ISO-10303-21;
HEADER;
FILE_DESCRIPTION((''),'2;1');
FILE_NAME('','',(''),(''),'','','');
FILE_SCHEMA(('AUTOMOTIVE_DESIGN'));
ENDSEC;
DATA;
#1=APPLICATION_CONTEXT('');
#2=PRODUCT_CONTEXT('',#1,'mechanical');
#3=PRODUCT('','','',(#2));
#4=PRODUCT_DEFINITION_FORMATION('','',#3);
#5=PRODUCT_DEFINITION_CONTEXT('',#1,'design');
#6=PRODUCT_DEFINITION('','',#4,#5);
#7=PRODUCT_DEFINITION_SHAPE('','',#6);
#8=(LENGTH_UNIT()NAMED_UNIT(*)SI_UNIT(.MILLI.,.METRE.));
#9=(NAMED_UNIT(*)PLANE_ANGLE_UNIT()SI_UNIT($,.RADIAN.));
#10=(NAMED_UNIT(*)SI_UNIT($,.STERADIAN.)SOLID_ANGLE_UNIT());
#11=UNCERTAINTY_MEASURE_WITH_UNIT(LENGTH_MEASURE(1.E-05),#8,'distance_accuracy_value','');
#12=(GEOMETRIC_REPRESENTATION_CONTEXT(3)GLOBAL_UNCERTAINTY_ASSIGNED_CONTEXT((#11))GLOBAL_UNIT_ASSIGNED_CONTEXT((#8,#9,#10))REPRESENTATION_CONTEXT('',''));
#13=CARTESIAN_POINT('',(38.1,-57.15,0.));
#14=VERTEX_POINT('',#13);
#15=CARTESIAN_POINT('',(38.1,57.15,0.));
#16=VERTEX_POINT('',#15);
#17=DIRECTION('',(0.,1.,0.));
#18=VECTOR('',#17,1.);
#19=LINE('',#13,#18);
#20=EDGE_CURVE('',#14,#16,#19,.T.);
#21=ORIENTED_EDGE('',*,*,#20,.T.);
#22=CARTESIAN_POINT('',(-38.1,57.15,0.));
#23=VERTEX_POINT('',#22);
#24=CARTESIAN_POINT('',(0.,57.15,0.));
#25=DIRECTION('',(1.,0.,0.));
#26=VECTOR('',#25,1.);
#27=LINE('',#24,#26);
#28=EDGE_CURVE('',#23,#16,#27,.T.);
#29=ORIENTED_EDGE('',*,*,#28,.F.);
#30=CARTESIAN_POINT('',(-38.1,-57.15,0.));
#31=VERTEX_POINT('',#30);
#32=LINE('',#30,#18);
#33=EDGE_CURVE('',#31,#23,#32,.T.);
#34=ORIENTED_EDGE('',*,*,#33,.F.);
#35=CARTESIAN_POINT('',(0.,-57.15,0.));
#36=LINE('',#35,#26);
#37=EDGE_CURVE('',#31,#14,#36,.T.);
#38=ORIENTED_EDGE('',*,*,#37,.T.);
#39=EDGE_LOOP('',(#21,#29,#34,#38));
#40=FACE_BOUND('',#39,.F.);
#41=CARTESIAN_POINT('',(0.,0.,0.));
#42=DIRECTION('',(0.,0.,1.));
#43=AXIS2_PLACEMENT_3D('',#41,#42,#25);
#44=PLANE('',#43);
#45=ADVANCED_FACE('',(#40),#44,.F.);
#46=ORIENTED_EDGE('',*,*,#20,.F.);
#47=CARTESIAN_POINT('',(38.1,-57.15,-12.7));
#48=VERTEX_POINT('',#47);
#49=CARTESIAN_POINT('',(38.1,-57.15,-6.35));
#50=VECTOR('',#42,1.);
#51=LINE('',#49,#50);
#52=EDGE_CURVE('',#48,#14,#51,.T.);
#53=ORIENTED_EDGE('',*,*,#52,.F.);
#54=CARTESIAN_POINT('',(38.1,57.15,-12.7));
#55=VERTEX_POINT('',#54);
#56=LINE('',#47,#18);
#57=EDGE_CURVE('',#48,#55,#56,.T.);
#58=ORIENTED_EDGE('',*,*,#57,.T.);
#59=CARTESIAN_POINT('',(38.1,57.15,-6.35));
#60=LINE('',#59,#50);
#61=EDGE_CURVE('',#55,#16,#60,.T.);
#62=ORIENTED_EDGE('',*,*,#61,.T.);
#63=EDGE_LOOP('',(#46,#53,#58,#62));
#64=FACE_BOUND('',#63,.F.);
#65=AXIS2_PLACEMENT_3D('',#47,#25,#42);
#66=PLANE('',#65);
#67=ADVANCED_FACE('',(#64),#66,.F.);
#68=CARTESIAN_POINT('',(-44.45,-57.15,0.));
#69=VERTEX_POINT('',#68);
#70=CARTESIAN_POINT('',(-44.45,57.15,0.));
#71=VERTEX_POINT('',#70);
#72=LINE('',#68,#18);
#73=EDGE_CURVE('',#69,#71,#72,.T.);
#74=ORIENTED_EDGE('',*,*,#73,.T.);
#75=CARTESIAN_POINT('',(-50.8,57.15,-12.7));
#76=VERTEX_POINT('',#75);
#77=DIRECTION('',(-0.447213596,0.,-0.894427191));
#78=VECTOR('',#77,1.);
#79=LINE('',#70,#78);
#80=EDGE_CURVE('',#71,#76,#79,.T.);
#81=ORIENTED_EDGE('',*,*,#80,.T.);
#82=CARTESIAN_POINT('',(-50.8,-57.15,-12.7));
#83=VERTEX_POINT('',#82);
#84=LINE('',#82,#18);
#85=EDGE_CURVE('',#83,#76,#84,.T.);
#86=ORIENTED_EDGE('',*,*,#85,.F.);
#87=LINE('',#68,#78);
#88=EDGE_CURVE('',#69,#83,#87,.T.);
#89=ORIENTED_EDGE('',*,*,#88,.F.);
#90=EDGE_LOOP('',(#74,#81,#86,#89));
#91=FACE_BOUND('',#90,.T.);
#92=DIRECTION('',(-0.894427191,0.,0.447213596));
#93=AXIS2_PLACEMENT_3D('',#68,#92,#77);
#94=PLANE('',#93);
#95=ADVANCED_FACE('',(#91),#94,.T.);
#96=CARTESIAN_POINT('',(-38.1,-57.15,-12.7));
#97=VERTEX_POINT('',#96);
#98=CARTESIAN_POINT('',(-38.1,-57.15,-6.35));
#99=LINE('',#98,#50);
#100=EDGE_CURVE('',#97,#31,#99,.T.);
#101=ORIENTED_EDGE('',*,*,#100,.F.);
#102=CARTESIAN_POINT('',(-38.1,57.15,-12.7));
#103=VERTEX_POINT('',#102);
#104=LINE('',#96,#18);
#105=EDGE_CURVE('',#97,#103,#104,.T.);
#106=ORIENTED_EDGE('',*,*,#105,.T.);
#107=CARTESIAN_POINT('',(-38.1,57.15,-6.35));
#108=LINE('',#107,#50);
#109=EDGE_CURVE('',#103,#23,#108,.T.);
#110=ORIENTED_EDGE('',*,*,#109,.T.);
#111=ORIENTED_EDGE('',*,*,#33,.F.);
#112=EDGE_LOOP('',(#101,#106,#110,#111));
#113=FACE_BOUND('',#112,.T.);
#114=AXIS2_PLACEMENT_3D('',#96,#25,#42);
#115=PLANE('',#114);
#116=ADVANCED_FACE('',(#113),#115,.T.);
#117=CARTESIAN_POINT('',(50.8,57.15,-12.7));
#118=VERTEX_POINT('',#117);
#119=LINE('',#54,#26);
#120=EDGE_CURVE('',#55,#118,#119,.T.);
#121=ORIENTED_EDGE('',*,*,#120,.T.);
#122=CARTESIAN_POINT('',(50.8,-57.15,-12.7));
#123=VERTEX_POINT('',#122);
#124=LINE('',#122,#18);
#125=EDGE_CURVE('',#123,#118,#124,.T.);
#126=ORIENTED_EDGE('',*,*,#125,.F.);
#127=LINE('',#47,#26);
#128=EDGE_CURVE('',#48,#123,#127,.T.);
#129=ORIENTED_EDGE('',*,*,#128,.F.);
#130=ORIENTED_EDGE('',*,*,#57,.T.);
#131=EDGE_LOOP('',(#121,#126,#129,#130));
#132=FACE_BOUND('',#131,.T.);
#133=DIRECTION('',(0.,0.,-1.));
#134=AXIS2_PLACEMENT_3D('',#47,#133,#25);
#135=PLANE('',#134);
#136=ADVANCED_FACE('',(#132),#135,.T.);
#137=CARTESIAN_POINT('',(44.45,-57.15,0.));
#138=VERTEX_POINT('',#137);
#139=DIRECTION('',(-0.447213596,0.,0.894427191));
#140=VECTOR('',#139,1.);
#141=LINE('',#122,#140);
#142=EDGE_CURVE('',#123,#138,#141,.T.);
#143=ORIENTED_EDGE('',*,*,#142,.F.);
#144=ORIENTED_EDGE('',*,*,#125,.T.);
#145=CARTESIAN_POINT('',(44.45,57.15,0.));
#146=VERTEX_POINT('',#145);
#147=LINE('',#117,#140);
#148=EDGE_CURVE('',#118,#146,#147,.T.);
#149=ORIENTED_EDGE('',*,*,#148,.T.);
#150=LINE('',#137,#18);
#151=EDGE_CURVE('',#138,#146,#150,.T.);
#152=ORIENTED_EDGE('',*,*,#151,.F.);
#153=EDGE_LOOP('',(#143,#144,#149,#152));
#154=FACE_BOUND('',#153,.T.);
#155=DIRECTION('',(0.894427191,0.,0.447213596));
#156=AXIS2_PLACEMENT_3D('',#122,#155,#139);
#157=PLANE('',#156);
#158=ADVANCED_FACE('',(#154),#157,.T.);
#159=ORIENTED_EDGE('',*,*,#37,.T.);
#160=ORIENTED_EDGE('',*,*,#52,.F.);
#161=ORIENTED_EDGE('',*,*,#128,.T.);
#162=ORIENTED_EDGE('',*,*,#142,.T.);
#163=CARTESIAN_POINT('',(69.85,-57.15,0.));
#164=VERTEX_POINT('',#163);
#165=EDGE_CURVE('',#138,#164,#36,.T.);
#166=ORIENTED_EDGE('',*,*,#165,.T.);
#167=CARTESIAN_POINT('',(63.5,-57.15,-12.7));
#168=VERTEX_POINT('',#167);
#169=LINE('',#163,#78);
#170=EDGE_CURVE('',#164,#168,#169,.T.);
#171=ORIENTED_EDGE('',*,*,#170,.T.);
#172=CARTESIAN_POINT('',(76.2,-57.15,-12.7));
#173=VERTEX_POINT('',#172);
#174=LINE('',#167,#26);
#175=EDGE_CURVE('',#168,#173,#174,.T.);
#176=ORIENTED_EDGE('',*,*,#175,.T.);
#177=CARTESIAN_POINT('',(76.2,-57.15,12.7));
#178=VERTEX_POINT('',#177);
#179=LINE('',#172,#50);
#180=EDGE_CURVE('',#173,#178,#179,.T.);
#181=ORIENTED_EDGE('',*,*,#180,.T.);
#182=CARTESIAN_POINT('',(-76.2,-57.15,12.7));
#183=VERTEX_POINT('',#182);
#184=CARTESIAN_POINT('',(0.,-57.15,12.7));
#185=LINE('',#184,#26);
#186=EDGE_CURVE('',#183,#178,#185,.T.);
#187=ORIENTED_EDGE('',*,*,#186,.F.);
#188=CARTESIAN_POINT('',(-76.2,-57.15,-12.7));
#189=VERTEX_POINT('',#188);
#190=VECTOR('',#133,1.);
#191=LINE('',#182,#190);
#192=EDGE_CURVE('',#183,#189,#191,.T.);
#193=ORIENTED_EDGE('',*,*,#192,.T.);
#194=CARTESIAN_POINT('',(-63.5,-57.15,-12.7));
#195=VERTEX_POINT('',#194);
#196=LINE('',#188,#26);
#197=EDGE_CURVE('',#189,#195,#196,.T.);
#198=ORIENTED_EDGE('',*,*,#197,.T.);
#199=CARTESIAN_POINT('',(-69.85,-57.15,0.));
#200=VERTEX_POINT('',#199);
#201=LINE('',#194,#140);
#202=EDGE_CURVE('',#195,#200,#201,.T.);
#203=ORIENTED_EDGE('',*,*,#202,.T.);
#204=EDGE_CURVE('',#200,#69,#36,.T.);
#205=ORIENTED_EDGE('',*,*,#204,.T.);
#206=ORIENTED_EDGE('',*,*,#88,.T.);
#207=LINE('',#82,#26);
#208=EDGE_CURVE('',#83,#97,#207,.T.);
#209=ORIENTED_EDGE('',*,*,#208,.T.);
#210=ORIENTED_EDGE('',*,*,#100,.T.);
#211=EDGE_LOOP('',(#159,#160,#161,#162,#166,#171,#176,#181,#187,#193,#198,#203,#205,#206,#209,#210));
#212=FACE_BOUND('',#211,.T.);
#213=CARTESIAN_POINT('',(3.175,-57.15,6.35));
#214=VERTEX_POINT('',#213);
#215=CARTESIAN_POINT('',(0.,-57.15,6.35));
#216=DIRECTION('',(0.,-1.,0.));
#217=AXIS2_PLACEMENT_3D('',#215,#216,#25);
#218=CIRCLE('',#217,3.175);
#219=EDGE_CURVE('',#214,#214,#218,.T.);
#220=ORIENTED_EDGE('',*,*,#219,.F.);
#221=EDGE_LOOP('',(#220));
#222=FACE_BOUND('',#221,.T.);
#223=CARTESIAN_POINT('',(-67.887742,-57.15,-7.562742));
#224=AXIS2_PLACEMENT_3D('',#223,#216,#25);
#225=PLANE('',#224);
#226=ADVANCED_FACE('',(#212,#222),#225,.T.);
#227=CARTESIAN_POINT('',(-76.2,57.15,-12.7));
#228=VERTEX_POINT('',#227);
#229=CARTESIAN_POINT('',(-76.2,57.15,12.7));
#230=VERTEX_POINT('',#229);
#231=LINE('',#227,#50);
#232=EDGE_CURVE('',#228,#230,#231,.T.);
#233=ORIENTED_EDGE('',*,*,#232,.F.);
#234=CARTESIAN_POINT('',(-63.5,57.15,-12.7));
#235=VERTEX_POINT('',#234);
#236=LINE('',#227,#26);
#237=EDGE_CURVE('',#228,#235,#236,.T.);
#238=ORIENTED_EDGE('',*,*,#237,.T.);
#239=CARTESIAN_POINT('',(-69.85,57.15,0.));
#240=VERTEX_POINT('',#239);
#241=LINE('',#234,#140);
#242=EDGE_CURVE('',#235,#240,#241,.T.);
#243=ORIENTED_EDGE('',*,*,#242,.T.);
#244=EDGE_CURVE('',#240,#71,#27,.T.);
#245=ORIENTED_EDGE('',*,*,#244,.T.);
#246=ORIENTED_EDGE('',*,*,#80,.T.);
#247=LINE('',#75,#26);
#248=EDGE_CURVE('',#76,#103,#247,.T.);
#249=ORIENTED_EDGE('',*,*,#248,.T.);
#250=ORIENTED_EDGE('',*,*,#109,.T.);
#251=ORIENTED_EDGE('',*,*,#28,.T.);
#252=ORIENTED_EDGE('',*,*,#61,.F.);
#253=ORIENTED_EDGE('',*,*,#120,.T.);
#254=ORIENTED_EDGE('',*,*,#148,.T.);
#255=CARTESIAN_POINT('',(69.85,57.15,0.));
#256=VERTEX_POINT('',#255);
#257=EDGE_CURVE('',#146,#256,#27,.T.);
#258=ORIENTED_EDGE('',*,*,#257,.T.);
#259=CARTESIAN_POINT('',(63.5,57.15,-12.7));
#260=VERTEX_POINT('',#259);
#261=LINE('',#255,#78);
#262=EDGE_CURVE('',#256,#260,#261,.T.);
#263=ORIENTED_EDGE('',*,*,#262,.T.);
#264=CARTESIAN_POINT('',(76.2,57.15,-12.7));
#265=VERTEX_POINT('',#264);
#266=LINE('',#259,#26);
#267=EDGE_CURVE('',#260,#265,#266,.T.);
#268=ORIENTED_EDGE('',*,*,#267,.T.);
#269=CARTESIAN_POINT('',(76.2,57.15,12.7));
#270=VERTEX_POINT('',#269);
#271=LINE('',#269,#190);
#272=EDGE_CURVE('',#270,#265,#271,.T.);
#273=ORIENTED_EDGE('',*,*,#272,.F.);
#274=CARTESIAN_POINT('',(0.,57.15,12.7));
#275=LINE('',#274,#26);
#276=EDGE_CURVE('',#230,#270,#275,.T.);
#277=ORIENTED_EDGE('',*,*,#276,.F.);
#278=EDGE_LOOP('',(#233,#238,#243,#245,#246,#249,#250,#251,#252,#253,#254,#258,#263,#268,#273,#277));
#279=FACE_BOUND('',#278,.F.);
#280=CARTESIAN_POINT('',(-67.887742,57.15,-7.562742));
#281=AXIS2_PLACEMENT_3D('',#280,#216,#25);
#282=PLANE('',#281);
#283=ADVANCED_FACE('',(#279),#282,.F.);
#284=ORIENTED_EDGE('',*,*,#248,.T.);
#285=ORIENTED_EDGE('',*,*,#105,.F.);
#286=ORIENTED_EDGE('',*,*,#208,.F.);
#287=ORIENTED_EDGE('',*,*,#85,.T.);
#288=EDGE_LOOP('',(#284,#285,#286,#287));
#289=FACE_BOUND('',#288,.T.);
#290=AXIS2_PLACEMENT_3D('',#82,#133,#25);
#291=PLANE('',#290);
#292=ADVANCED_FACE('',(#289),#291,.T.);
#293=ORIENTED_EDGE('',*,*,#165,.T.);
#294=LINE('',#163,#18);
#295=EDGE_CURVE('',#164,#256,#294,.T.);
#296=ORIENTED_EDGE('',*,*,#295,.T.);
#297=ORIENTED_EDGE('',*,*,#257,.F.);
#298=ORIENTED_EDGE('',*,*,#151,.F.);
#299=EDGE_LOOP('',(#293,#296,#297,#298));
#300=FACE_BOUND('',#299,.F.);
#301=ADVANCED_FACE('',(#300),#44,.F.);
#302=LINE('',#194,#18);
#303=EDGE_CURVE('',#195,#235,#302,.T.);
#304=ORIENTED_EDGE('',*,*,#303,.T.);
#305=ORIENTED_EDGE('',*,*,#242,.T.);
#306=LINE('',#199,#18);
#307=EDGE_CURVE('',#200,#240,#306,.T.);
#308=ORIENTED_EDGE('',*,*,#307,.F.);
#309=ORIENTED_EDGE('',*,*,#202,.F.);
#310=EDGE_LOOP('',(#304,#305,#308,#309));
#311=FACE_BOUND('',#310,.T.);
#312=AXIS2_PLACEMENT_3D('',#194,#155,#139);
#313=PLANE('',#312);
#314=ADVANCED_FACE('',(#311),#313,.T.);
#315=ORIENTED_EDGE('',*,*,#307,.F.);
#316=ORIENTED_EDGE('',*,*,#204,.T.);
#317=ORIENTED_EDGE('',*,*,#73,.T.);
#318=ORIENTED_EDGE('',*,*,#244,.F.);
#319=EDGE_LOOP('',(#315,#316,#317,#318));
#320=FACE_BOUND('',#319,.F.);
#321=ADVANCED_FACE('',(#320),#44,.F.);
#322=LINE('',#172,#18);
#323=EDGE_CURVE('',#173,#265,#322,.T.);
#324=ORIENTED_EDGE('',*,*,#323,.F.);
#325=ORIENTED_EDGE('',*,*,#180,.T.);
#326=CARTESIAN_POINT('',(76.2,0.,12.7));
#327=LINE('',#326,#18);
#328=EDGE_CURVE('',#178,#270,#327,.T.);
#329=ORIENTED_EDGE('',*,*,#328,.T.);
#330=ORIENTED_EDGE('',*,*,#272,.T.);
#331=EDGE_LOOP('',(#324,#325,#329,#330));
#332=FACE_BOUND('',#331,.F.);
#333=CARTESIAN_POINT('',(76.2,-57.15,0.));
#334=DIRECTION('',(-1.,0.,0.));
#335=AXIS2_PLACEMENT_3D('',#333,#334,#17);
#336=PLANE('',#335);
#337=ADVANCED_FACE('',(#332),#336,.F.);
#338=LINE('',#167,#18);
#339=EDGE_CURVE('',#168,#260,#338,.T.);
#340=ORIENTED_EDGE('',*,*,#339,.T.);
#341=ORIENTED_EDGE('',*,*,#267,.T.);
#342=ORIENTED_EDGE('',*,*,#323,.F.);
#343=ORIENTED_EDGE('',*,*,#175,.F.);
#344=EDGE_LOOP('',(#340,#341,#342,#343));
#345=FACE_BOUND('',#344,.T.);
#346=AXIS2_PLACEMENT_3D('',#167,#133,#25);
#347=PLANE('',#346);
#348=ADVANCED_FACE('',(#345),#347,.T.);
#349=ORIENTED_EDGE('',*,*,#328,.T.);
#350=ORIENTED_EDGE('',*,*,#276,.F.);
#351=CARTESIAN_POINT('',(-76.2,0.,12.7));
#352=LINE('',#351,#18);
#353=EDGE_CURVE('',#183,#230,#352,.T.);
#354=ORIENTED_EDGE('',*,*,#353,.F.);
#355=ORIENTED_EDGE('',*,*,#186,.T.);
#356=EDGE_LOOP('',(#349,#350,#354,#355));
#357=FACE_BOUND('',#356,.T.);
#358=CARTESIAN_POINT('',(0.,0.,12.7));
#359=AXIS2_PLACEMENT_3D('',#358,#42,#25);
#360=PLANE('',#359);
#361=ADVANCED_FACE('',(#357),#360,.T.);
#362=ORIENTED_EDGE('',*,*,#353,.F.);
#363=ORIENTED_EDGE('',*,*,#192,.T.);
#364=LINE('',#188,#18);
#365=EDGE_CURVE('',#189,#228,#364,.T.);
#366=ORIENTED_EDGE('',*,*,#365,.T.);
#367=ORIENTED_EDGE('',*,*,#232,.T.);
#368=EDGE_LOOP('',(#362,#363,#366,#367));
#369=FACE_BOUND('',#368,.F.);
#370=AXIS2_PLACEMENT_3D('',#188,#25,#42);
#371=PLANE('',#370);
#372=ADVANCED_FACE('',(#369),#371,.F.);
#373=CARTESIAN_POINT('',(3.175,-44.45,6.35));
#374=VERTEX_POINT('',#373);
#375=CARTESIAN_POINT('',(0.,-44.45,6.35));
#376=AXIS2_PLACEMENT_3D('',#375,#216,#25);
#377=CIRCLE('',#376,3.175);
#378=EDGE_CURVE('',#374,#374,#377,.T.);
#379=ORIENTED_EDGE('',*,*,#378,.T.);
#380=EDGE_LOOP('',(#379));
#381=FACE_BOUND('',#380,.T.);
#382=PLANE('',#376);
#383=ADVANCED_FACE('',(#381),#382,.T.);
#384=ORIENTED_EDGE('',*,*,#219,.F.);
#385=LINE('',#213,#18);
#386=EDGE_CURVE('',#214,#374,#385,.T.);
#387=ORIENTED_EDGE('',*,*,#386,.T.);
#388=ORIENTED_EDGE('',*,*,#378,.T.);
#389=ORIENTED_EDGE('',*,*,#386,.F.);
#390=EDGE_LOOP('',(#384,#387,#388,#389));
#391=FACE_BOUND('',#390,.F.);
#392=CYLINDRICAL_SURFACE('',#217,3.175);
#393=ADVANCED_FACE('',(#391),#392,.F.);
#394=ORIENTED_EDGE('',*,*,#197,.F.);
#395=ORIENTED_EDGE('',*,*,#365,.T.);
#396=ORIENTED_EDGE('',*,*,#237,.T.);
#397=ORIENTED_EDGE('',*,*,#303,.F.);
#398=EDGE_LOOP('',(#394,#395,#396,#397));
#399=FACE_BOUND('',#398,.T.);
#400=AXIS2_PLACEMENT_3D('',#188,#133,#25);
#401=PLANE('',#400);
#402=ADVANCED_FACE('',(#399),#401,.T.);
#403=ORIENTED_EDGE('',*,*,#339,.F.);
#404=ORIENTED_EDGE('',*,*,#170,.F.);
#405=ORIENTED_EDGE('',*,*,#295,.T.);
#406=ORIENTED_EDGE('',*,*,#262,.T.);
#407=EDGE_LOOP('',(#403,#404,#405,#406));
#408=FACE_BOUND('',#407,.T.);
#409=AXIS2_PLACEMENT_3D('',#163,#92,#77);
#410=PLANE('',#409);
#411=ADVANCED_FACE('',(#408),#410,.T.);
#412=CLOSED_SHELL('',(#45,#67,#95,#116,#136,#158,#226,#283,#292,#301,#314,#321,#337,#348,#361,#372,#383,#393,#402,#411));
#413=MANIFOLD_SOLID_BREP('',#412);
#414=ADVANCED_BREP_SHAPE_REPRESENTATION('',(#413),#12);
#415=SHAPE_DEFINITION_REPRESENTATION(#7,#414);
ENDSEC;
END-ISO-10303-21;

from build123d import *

# Parameters (mm, degrees)
F0_W     = 152.4
F0_H     = 114.3
F1_DEPTH = 12.7
F2_W     = 6.35
F2_H     = 12.7
F3_DEPTH = 114.3
F4_R     = 3.175
F5_DEPTH = 12.7


with BuildPart() as f1:
    # F0 (on Top) → F1 (new body)
    with BuildSketch(Plane.XY):
        Rectangle(F0_W, F0_H)
    extrude(amount=F1_DEPTH)

    # F2 (on face) → F3 (join)
    with BuildSketch(Plane.XZ.offset(57.15)):
        Polygon((-63.5, -12.7), (-69.85, 0), (-69.85, -12.7), align=None)
        with Locations((-73.025, -6.35)):
            Rectangle(F2_W, F2_H)
        Polygon((-44.45, -12.7), (-44.45, 0), (-50.8, -12.7), align=None)
        with Locations((-41.275, -6.35)):
            Rectangle(F2_W, F2_H)
        with Locations((41.275, -6.35)):
            Rectangle(F2_W, F2_H)
        Polygon((50.8, -12.7), (44.45, 0), (44.45, -12.7), align=None)
        Polygon((69.85, -12.7), (69.85, 0), (63.5, -12.7), align=None)
        with Locations((73.025, -6.35)):
            Rectangle(F2_W, F2_H)
    extrude(amount=-F3_DEPTH)

    # F4 (on face) → F5 (cut)
    with BuildSketch(Plane.XZ.offset(57.15)):
        with Locations((0, 6.35)):
            Circle(F4_R)
    extrude(amount=-F5_DEPTH, mode=Mode.SUBTRACT)


solid = f1.part
